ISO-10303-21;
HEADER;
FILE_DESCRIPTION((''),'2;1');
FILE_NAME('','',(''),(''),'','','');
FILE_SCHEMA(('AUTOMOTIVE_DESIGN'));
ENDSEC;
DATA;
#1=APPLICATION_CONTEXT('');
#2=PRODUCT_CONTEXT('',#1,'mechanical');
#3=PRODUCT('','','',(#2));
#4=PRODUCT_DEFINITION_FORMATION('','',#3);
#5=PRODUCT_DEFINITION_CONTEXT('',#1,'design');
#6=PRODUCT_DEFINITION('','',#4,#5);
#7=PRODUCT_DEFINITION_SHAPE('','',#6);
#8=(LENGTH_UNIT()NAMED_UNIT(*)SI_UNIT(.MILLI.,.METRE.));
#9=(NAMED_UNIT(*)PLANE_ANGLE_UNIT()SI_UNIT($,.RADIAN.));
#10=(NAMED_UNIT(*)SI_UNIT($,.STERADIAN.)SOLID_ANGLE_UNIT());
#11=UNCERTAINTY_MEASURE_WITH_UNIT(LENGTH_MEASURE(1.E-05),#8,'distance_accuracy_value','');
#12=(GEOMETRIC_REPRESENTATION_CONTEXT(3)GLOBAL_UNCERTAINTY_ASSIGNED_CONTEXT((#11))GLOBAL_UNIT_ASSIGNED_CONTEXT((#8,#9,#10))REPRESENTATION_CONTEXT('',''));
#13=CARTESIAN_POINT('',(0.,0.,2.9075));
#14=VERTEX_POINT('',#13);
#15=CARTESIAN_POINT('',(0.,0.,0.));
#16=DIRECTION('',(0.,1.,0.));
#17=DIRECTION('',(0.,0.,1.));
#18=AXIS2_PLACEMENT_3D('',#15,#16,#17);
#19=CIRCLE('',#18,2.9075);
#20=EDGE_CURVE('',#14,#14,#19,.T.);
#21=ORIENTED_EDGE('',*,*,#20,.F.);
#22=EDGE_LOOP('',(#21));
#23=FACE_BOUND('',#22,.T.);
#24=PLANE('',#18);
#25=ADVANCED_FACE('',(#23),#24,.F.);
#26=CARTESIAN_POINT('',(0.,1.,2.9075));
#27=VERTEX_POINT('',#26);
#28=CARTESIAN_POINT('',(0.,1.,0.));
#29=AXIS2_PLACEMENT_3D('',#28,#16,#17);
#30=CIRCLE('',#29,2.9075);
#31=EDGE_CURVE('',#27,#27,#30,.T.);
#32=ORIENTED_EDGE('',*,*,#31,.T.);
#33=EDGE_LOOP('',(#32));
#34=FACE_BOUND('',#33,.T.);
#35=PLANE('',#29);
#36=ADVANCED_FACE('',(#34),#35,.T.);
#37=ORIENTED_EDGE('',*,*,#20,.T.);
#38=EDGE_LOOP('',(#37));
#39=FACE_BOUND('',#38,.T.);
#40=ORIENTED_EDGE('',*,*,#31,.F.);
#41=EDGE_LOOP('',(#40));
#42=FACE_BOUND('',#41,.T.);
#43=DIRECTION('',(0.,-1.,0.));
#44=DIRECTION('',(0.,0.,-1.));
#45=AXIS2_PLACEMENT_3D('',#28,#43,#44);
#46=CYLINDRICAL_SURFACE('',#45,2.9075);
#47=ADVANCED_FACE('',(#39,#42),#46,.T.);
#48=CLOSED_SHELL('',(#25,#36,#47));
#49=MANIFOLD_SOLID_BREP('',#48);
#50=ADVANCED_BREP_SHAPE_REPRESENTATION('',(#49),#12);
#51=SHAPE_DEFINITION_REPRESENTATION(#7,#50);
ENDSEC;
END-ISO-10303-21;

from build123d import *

# Parameters (mm, degrees)
SKETCH1_R        = 2.9075
EXTRUSION1_DEPTH = 1


with BuildPart() as part:
    # Sketch1 → Extrusion1 (new body)
    with BuildSketch(Plane(origin=(0, 0, 0), x_dir=(-1, 0, 0), z_dir=(0, 1, 0))):
        Circle(SKETCH1_R)
    extrude(amount=EXTRUSION1_DEPTH)


solid = part.part
